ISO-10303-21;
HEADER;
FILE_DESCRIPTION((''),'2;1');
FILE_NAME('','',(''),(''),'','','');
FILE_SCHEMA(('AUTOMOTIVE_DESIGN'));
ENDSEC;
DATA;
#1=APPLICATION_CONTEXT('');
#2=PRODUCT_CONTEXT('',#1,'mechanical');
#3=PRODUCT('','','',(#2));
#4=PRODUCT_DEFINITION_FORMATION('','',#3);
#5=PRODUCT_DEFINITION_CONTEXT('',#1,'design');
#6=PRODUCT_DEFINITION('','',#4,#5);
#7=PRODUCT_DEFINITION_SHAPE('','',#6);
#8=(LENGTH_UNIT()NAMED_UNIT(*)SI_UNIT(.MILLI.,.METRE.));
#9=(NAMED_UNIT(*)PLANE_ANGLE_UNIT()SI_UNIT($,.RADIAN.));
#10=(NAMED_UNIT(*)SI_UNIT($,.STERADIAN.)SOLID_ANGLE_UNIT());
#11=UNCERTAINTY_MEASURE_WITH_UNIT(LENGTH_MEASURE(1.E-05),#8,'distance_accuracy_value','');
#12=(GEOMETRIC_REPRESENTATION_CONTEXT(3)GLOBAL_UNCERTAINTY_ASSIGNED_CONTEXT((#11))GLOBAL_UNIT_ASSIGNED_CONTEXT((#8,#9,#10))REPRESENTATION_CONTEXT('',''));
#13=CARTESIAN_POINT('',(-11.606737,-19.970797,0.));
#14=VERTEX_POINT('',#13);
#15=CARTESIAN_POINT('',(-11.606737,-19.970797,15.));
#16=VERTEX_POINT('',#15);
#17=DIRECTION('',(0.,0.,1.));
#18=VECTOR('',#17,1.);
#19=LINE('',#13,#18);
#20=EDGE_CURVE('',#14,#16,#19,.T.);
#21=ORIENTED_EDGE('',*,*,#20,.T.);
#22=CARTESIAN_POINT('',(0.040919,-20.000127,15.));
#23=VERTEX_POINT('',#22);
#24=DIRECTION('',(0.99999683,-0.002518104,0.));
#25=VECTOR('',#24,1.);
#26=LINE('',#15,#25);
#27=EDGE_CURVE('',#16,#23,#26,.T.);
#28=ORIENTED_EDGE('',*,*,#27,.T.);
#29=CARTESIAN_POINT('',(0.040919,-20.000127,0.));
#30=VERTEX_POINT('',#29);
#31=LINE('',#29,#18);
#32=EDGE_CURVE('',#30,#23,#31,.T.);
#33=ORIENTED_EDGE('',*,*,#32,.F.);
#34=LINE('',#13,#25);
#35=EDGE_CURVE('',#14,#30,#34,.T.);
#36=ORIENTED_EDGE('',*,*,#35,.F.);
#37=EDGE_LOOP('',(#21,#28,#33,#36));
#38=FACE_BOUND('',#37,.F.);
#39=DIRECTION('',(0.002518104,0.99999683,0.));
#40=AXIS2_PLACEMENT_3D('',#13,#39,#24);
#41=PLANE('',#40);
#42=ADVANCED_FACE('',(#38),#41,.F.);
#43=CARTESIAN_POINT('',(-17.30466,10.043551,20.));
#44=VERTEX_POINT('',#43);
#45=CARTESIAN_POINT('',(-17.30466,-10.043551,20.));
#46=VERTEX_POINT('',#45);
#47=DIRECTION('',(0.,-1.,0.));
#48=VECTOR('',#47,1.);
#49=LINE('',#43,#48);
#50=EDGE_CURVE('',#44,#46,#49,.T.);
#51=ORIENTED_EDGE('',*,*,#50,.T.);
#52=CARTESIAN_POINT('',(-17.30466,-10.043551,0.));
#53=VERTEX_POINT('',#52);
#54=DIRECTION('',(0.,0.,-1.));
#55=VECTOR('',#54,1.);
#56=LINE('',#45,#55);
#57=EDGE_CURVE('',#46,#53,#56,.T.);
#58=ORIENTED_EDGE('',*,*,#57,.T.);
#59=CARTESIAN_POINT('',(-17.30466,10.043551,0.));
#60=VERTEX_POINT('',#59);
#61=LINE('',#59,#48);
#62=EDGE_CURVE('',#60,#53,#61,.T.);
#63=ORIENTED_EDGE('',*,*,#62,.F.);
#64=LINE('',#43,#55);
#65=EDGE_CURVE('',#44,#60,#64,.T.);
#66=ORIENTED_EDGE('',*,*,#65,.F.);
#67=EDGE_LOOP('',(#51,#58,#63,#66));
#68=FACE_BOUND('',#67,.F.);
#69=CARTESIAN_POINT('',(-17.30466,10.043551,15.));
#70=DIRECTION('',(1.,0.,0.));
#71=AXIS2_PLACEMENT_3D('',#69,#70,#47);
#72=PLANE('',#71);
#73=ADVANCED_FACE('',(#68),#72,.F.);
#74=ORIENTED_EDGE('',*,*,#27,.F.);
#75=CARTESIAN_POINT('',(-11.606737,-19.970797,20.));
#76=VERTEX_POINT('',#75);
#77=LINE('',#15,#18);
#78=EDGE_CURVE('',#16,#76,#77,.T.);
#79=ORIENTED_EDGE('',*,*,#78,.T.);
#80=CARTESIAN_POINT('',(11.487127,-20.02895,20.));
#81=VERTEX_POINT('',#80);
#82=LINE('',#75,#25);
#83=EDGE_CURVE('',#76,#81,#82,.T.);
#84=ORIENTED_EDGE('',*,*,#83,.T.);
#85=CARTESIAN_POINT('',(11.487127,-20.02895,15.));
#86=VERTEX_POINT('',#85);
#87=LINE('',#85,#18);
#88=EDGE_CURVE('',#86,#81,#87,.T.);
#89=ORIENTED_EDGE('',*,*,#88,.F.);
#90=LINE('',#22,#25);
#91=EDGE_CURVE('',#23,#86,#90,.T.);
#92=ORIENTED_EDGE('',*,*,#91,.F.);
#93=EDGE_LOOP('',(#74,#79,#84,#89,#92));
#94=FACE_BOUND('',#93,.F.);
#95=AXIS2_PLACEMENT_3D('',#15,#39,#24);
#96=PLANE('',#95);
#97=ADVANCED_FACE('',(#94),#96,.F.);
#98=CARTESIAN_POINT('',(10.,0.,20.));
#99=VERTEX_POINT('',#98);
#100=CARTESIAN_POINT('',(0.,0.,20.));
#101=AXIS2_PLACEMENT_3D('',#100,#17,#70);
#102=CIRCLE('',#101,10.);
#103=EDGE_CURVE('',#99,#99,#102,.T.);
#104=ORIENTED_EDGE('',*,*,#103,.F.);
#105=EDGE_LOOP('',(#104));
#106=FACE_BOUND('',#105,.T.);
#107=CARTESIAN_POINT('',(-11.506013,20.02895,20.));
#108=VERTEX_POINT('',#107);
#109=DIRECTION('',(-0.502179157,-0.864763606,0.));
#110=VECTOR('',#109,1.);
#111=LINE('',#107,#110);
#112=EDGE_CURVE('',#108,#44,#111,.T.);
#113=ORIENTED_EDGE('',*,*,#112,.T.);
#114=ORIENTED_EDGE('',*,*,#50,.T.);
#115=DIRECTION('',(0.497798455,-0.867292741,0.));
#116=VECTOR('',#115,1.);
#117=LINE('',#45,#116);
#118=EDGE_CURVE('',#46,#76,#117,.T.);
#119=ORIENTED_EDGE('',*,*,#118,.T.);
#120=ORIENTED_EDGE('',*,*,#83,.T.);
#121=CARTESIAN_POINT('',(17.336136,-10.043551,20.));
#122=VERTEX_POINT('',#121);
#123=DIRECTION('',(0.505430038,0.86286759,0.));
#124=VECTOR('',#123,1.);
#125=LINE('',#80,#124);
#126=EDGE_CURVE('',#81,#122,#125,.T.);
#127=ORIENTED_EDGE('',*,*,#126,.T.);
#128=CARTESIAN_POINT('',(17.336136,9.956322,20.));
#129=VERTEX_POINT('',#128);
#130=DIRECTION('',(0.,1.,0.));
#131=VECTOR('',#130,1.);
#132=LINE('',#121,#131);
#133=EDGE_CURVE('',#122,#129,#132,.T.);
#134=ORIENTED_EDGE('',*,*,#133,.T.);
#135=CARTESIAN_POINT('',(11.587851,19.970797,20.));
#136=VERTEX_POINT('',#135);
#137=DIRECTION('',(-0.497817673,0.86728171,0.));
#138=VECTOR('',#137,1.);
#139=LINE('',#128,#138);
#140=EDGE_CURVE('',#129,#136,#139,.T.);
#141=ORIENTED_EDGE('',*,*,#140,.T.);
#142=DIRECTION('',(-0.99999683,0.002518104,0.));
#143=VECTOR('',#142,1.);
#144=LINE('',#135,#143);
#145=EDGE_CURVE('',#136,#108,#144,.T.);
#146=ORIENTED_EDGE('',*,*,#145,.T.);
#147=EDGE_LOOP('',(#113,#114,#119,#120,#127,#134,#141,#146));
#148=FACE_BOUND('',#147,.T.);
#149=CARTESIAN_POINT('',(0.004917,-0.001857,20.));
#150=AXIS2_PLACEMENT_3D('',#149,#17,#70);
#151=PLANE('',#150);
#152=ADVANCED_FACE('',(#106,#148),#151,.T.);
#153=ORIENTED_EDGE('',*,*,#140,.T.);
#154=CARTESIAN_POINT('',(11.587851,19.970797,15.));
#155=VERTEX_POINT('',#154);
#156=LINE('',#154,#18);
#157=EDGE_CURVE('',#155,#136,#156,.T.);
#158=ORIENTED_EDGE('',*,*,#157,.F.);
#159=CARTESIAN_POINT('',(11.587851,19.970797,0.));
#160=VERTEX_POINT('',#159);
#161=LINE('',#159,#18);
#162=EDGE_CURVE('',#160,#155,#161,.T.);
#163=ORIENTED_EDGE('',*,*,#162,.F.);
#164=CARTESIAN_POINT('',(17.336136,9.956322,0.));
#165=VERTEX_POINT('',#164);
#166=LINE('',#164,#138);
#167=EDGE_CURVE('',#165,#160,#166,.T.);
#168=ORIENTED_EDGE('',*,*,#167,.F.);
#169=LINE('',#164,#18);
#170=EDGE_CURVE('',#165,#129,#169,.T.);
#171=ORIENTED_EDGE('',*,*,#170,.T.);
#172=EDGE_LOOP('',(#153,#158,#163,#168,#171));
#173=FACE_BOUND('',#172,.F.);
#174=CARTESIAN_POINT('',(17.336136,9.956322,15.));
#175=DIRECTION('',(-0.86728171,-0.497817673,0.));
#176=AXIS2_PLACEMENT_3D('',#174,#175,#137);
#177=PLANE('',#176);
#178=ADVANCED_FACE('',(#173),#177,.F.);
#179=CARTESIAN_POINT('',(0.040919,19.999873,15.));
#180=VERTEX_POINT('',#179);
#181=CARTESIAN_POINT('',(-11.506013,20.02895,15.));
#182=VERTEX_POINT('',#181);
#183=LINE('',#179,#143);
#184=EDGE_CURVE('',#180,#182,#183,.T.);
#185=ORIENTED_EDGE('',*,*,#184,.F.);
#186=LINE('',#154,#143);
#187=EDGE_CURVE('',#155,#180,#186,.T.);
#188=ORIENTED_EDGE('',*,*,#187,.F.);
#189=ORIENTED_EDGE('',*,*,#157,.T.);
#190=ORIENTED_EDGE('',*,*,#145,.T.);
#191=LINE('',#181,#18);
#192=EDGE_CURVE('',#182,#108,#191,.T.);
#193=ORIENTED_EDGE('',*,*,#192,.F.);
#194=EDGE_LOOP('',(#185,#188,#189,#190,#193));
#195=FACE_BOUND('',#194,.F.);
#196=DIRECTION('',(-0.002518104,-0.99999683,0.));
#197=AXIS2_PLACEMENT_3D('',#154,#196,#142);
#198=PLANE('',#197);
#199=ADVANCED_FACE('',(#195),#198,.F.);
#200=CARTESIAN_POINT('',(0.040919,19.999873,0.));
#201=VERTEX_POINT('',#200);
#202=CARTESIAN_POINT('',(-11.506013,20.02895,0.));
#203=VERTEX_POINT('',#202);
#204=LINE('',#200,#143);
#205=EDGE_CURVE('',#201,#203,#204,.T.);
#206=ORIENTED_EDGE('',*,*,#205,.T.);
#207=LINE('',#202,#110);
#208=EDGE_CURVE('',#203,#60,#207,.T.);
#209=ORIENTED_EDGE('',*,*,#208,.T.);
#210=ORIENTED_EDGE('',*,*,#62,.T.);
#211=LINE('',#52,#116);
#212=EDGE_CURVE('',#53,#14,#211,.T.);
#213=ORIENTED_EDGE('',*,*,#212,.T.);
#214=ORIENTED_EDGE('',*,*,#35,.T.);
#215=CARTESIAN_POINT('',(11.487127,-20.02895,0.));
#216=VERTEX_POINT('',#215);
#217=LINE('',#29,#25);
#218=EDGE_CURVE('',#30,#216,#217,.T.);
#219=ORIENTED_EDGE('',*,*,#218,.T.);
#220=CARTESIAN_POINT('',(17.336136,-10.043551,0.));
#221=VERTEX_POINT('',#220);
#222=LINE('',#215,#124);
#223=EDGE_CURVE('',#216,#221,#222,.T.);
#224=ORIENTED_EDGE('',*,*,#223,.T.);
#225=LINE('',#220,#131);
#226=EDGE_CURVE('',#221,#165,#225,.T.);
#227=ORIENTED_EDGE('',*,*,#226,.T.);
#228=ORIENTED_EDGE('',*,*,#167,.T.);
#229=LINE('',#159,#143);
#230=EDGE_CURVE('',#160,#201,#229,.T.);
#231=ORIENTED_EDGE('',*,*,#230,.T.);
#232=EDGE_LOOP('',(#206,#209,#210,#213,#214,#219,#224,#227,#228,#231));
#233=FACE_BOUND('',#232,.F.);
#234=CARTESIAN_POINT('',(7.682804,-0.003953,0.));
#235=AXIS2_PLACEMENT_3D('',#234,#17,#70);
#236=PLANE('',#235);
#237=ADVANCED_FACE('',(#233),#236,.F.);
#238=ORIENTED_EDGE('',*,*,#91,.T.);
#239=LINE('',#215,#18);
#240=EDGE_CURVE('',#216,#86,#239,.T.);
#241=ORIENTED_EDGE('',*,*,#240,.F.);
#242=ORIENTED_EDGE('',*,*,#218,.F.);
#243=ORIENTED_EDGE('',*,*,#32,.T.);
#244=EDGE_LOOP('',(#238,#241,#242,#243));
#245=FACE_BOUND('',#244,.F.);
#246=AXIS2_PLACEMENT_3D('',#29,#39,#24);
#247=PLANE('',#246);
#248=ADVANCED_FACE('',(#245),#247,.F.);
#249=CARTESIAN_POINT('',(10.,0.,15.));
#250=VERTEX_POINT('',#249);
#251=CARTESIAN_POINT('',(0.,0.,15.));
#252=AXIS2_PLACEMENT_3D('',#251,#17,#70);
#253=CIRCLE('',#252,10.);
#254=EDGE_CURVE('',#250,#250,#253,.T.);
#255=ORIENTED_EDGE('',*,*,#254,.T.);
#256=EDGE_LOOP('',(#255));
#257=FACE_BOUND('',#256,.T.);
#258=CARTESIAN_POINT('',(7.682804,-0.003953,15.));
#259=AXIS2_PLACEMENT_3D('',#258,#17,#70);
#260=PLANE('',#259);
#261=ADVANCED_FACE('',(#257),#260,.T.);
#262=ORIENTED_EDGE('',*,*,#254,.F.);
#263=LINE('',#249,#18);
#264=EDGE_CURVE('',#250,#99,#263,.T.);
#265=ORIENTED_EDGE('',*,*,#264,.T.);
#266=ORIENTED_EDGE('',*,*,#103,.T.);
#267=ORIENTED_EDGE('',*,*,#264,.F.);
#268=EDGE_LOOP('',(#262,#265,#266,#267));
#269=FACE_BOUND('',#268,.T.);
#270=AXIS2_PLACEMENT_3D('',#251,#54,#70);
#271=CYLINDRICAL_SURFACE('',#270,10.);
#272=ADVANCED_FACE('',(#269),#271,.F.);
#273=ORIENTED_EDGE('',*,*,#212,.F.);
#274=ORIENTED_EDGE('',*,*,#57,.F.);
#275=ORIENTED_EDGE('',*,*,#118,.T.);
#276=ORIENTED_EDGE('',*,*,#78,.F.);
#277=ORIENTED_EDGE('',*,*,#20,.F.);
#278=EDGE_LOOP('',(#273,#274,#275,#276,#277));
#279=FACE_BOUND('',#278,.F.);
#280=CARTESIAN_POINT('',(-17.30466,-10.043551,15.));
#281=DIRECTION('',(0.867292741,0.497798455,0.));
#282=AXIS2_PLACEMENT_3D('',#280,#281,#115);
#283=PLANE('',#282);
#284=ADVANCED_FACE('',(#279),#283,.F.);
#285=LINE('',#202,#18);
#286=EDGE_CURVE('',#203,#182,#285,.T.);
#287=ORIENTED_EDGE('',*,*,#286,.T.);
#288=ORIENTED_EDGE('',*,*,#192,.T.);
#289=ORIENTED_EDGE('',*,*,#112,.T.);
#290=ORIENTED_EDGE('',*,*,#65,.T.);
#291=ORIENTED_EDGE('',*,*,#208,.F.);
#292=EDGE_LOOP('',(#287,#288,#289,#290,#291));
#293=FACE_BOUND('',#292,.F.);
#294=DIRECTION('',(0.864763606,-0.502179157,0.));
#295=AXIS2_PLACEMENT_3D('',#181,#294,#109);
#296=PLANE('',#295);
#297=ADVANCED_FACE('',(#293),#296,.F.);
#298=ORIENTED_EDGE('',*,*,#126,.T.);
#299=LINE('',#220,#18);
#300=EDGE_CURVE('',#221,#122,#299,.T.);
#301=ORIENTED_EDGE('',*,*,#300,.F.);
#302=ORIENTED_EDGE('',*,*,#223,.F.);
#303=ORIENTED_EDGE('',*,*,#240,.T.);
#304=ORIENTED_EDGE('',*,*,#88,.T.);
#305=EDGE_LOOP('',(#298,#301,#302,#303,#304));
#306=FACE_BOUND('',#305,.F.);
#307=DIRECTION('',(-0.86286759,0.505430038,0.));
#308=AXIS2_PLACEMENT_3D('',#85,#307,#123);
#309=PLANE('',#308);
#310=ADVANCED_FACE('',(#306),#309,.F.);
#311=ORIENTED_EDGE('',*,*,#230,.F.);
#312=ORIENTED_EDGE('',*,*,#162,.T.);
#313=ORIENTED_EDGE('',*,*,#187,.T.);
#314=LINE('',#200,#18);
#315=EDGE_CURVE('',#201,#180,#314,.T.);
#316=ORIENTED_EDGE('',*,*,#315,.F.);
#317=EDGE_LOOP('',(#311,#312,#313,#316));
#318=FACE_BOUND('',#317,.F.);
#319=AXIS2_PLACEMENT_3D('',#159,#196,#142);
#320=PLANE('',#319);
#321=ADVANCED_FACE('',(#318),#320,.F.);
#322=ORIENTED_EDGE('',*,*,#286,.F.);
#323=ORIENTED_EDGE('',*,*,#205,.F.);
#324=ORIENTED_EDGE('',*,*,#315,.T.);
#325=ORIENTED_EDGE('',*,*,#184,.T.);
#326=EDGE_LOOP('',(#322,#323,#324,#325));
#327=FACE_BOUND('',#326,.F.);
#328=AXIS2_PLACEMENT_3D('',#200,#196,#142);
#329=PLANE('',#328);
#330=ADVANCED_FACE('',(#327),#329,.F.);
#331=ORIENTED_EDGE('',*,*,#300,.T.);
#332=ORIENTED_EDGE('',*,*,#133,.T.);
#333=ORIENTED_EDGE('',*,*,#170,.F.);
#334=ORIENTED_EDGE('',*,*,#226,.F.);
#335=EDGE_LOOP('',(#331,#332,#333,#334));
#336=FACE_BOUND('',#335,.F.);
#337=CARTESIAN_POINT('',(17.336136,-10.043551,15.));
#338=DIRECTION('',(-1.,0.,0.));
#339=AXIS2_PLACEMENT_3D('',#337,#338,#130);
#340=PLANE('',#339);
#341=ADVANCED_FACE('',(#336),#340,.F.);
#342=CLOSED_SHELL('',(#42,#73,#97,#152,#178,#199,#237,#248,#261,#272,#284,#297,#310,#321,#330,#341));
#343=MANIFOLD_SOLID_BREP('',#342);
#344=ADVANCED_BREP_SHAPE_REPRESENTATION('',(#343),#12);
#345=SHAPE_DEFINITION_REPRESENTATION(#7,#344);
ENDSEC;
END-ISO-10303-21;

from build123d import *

# Parameters (mm, degrees)
F1_DEPTH = 15
F2_R     = 10
F3_DEPTH = 5


with BuildPart() as f1:
    # F0 (on Top) → F1 (new body)
    with BuildSketch(Plane.XY):
        Polygon((0.0409190611, -20.000126817), (11.4871273843, -20.0289496519), (17.3361363494, -10.0435512948), (17.3361363494, 9.9563218882), (11.5878512271, 19.9707967142), (0.0409190611, 19.999873183), align=None)
        Polygon((-11.6067369476, -19.9707967142), (0.0409190611, -20.000126817), (0.0409190611, 19.999873183), (-11.5060131049, 20.0289496519), (-17.3046601485, 10.0435512948), (-17.3046601485, -10.0435512948), align=None)
    extrude(amount=F1_DEPTH)

    # F2 (on face) → F3 (join)
    with BuildSketch(Plane.XY.offset(15)):
        Polygon((-11.6067369476, -19.9707967142), (11.4871273843, -20.0289496519), (17.3361363494, -10.0435512948), (17.3361363494, 9.9563218882), (11.5878512271, 19.9707967142), (-11.5060131049, 20.0289496519), (-17.3046601485, 10.0435512948), (-17.3046601485, -10.0435512948), align=None)
        Circle(F2_R, mode=Mode.SUBTRACT)
    extrude(amount=F3_DEPTH)


solid = f1.part
